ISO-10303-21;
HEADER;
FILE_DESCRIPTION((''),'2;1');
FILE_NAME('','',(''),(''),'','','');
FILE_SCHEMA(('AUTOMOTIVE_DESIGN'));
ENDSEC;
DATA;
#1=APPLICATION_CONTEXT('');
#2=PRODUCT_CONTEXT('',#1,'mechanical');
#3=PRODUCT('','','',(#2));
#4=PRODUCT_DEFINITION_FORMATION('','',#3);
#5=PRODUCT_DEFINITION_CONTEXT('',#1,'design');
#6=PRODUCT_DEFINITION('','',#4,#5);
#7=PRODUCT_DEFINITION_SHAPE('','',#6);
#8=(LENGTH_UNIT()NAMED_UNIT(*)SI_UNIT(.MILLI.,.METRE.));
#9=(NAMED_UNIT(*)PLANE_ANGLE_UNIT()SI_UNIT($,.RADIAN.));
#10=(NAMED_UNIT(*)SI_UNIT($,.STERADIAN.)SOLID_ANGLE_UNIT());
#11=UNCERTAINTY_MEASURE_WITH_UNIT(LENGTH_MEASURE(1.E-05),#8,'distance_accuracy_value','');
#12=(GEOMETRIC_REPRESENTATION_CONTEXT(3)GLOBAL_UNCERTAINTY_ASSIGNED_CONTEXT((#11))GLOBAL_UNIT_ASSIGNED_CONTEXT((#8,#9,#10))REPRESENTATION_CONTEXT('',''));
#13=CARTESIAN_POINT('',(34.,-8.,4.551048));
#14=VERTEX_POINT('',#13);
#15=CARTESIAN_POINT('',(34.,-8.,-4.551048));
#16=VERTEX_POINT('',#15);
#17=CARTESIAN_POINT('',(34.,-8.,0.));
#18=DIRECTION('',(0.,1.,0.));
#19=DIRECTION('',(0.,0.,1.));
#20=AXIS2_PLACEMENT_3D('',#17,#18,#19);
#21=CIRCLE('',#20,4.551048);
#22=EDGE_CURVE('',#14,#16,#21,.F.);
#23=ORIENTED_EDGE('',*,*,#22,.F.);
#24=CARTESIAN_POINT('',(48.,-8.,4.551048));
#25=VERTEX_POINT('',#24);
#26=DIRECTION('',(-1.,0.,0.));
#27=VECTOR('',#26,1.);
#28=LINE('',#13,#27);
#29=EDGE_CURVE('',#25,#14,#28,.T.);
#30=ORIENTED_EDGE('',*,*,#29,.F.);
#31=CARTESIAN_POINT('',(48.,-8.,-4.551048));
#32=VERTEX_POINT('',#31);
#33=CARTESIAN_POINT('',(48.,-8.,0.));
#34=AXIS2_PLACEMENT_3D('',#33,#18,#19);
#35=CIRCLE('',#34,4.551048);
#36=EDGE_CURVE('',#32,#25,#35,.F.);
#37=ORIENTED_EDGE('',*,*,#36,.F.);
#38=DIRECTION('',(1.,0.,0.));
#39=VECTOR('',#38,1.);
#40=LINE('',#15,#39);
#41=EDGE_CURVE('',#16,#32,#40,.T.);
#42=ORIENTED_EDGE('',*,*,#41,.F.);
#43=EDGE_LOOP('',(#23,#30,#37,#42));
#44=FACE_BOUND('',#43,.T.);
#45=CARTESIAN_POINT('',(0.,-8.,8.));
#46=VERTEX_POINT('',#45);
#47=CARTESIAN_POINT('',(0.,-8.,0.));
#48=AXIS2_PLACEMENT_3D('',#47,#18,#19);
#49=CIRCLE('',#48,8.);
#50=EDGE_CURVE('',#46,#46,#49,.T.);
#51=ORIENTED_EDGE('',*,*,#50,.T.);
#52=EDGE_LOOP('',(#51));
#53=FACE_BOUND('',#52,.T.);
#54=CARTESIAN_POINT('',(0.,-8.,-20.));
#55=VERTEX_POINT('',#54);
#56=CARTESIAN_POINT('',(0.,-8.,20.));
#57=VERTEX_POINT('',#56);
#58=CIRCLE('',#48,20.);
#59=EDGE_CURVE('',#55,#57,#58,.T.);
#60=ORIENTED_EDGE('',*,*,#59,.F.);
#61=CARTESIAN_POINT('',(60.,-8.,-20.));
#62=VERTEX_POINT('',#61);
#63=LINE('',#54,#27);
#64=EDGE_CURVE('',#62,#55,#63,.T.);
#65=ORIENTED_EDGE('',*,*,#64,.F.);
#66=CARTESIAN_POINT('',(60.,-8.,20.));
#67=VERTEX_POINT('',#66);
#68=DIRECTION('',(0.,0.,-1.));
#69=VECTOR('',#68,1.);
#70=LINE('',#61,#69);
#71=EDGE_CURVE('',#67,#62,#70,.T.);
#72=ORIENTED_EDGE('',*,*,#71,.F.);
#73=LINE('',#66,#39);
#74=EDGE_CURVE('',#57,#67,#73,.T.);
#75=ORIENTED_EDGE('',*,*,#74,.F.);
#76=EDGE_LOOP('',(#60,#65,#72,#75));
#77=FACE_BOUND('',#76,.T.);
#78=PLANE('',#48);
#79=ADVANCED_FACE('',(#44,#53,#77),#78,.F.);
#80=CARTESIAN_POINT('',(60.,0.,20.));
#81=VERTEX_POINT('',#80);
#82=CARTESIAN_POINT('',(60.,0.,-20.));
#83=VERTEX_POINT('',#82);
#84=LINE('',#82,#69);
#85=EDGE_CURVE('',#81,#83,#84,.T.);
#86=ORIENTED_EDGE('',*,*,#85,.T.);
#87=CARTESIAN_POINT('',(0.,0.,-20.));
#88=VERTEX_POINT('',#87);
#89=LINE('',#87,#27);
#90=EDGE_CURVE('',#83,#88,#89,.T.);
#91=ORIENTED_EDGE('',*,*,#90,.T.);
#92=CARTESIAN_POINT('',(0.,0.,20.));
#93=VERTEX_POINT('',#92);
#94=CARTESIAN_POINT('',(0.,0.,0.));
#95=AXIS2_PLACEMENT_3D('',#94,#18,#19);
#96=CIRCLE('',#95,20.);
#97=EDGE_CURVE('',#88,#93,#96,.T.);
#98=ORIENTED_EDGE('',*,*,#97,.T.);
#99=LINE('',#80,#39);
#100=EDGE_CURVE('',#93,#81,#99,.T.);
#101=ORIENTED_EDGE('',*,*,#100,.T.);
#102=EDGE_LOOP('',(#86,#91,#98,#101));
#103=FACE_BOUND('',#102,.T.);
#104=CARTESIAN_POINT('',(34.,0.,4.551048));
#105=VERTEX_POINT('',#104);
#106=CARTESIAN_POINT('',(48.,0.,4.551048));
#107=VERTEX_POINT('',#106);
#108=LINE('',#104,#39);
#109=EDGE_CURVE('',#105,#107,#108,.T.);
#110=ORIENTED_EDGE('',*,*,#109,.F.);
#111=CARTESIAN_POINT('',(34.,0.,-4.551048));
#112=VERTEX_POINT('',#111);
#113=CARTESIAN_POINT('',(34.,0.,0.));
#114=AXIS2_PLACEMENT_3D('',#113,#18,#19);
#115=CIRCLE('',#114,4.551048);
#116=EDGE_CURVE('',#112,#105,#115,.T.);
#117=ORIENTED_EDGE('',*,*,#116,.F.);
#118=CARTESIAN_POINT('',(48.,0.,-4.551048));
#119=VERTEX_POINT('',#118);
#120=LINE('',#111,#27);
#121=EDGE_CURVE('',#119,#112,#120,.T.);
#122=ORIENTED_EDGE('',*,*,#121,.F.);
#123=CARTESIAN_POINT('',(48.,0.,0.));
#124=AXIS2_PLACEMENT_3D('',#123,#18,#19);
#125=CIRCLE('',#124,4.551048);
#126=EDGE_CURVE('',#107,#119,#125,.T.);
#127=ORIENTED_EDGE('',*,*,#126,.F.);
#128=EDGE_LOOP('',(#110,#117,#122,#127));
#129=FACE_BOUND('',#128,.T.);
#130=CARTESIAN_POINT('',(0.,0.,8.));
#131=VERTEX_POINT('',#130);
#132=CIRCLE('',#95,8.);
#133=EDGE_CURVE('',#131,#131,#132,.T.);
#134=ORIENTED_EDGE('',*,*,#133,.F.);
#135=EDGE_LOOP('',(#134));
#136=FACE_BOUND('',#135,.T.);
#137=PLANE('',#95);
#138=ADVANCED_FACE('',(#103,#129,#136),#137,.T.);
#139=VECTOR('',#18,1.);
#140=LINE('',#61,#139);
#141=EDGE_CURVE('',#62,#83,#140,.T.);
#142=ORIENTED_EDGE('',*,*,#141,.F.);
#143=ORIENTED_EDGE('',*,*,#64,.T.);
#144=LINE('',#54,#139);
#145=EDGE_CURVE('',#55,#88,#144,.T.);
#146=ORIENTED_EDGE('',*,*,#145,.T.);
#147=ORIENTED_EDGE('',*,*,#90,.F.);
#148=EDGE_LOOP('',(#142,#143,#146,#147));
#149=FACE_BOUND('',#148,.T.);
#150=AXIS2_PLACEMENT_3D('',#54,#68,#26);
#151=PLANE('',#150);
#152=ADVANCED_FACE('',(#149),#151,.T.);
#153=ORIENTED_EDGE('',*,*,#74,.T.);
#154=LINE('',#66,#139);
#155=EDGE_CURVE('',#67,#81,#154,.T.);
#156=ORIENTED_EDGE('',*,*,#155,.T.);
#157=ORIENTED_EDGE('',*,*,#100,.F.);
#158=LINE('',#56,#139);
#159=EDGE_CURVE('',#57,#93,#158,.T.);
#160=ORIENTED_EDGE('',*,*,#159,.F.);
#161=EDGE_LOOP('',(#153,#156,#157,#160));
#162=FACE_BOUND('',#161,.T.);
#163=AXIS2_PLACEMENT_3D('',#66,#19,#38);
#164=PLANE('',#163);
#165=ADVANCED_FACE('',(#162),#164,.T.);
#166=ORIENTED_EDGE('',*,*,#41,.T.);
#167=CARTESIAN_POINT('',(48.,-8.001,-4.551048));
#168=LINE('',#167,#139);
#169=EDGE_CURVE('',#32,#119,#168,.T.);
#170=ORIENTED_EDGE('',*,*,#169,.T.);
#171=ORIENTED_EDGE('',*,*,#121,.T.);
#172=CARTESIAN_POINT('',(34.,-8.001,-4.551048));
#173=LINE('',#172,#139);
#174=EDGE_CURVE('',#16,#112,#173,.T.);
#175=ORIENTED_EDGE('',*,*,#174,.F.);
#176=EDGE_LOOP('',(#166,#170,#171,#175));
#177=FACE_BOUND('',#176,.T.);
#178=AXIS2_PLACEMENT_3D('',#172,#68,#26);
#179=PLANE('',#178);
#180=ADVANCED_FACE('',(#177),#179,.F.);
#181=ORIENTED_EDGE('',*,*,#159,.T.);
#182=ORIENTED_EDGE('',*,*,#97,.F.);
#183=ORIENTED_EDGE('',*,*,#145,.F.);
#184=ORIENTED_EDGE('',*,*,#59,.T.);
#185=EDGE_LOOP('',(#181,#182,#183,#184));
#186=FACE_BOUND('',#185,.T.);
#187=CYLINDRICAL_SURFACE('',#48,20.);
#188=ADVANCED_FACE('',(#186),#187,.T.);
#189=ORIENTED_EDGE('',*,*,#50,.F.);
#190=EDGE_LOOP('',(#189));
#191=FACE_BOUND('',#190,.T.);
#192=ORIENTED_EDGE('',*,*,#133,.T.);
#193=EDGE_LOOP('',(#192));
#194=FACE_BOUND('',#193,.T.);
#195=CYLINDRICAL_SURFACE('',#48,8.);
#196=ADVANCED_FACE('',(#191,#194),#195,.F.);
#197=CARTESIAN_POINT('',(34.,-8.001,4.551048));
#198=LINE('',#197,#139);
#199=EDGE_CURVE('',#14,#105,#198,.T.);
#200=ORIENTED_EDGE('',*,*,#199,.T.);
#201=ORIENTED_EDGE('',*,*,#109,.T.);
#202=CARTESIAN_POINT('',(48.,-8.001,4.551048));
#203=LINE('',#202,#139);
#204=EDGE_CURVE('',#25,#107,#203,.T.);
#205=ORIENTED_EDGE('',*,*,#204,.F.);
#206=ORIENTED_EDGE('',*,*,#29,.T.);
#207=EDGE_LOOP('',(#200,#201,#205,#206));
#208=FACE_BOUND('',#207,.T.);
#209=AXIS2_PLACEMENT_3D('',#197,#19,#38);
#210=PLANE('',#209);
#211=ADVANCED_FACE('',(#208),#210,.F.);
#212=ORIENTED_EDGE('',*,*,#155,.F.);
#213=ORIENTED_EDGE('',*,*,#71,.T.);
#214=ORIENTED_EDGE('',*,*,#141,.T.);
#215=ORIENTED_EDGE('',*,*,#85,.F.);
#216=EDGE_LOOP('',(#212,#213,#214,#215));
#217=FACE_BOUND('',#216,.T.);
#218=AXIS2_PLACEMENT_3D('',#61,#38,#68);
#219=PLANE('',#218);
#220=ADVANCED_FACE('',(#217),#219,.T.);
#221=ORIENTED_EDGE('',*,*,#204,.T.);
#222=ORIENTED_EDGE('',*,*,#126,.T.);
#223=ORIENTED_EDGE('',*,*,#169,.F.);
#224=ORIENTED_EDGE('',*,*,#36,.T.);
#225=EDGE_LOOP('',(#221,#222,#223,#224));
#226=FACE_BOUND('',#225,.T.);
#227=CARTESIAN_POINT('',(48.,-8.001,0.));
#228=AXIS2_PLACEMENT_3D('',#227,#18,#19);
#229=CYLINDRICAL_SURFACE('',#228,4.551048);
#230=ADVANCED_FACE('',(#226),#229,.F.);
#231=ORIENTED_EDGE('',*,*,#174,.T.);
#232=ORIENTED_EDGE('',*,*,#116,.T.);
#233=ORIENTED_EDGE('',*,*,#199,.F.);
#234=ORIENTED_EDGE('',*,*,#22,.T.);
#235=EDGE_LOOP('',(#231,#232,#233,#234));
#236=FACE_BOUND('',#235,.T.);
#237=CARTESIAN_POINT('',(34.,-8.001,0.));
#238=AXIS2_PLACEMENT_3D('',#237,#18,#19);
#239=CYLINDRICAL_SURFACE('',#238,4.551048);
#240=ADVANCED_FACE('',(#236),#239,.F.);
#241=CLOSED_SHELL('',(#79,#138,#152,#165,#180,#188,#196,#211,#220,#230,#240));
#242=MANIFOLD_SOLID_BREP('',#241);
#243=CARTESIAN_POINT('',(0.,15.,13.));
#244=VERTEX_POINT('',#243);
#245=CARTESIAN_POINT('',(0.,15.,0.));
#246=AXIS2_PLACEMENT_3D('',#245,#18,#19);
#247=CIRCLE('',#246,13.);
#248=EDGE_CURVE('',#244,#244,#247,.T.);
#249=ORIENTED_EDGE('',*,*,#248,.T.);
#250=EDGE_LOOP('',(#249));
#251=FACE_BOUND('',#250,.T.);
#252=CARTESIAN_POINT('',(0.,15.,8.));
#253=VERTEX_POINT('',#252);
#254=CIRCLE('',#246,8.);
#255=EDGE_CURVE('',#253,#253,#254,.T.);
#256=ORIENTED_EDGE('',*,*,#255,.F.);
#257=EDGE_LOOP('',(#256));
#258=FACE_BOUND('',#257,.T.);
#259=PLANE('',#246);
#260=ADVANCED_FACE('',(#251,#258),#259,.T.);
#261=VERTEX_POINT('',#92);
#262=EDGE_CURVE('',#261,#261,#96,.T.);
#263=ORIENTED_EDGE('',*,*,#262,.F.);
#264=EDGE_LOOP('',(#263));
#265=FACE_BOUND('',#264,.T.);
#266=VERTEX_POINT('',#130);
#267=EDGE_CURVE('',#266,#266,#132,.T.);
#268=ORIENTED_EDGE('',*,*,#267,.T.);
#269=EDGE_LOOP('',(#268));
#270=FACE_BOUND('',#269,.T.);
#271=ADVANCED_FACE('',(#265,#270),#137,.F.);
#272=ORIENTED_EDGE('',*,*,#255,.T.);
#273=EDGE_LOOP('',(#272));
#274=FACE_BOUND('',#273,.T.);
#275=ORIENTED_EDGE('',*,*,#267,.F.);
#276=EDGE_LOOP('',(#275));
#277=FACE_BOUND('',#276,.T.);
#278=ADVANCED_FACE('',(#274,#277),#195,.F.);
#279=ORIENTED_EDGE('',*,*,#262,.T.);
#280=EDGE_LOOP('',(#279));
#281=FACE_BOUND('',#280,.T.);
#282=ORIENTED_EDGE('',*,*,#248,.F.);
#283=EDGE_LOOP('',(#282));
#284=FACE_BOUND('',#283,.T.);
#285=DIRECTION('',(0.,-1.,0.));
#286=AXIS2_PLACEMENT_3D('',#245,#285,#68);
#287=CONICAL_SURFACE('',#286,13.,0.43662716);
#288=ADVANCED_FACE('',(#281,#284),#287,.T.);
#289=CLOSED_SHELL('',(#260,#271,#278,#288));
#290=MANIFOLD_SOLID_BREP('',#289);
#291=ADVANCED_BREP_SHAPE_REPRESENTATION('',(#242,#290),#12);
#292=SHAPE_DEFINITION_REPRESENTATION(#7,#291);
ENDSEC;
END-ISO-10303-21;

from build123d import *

# Parameters (mm, degrees)
SKETCH2_R           = 13
SKETCH1_R           = 20
BOSS_EXTRUDE1_DEPTH = 8
CUT_EXTRUDE2_DEPTH  = 8
SKETCH7_R           = 8
CUT_EXTRUDE3_DEPTH  = 24


with BuildPart() as part:
    # Sketch2 → Loft1 section 0
    with BuildSketch(Plane(origin=(0, 15, 0), x_dir=(1, 0, 0), z_dir=(0, 1, 0))):
        Circle(SKETCH2_R)
    # Sketch1 → Loft1 section 1
    with BuildSketch(Plane(origin=(0, 0, 0), x_dir=(1, 0, 0), z_dir=(0, 1, 0))):
        Circle(SKETCH1_R)
    loft()


with BuildPart() as body_2:
    # Sketch5 → Boss-Extrude1 (new body)
    with BuildSketch(Plane(origin=(0, 0, 0), x_dir=(1, 0, 0), z_dir=(0, 1, 0))):
        with BuildLine():
            Line((0, 20), (60, 20))
            Line((60, 20), (60, -20))
            Line((60, -20), (0, -20))
            ThreePointArc((0, -20), (-20, 0), (0, 20))
        make_face()
    extrude(amount=-BOSS_EXTRUDE1_DEPTH)

    # Sketch6 → Cut-Extrude2 (cut)
    with BuildSketch(Plane(origin=(0, 0, 0), x_dir=(1, 0, 0), z_dir=(0, 1, 0))):
        with BuildLine():
            Line((34, 4.551048267), (48, 4.551048267))
            ThreePointArc((48, 4.551048267), (52.551048267, 0), (48, -4.551048267))
            Line((48, -4.551048267), (34, -4.551048267))
            ThreePointArc((34, -4.551048267), (29.448951733, 0), (34, 4.551048267))
        make_face()
    extrude(amount=-CUT_EXTRUDE2_DEPTH, mode=Mode.SUBTRACT)


with BuildPart() as cut_extrude3_tool:
    # Sketch7 → Cut-Extrude3 (new body, through all)
    with BuildSketch(Plane(origin=(0, 15, 0), x_dir=(1, 0, 0), z_dir=(0, 1, 0))):
        Circle(SKETCH7_R)
    extrude(amount=-CUT_EXTRUDE3_DEPTH)


with BuildPart() as part_1:
    add(part.part)

    # Cut-Extrude3: cut by cut_extrude3_tool
    add(cut_extrude3_tool.part, mode=Mode.SUBTRACT)


with BuildPart() as body_2_1:
    add(body_2.part)

    # Cut-Extrude3: cut by cut_extrude3_tool
    add(cut_extrude3_tool.part, mode=Mode.SUBTRACT)


solid = Compound([part_1.part, body_2_1.part])
